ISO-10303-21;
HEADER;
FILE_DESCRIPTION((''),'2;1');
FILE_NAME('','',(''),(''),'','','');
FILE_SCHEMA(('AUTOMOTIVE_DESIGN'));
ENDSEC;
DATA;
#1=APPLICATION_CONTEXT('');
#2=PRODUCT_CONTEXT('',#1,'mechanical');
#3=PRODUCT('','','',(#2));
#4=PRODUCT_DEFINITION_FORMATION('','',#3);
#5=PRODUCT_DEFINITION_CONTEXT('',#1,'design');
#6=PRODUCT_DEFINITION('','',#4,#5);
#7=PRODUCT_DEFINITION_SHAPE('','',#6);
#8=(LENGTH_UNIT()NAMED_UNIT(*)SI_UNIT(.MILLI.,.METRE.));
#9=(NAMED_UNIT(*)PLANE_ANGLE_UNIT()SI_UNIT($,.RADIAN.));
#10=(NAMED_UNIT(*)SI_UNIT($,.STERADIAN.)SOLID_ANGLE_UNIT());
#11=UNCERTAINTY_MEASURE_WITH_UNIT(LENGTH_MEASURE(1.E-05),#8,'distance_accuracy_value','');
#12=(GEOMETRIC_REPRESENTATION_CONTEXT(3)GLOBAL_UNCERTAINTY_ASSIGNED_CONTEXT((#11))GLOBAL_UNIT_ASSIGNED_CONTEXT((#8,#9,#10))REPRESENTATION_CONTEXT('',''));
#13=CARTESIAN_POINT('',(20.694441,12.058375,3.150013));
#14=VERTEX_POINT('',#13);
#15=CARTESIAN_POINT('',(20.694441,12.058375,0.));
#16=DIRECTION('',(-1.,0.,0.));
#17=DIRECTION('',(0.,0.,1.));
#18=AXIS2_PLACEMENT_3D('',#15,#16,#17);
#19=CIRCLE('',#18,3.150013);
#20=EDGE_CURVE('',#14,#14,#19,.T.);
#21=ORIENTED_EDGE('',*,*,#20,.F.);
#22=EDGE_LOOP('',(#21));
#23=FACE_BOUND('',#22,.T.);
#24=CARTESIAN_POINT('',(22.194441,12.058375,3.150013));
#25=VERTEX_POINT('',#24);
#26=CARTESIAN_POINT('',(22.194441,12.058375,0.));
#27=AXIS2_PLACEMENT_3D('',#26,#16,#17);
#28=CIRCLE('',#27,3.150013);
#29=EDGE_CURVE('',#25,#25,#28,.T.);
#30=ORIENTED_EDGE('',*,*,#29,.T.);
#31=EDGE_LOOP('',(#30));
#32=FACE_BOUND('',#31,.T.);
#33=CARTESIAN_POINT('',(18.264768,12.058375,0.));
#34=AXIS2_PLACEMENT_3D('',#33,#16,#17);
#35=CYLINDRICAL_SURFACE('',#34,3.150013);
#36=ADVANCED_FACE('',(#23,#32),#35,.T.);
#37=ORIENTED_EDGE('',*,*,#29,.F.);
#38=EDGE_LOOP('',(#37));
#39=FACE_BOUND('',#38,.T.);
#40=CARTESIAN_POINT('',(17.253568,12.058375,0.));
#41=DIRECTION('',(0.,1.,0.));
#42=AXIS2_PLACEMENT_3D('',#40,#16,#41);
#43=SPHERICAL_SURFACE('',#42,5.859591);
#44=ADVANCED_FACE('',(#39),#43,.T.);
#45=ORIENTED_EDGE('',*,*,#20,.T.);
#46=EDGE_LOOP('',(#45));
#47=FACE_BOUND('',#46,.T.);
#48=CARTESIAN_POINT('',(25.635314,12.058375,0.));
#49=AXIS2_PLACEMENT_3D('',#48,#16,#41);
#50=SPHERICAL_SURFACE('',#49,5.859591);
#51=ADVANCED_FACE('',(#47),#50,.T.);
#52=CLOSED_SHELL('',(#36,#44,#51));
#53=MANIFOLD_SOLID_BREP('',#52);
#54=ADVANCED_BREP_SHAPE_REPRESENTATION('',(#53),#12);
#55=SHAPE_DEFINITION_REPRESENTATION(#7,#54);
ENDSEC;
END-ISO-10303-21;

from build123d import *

# Parameters (mm, degrees)
SKETCH_2_ONE_SIDE_W = 1.5
SKETCH_2_ONE_SIDE_H = 3.1500126


with BuildPart() as part:
    # 草图2 one side → 旋转1 (revolve)
    with BuildSketch(Plane.XY):
        with Locations((21.444440927, 13.633381779)):
            Rectangle(SKETCH_2_ONE_SIDE_W, SKETCH_2_ONE_SIDE_H)
        with BuildLine():
            Line((19.775723052, 12.058375479), (20.694440927, 12.058375479))
            Line((20.694440927, 12.058375479), (20.694440927, 15.208388079))
            ThreePointArc((20.694440927, 15.208388079), (20.010089506, 13.69900203), (19.775723052, 12.058375479))
        make_face()
        with BuildLine():
            Line((22.194440927, 12.058375479), (23.113158802, 12.058375479))
            ThreePointArc((23.113158802, 12.058375479), (22.878792347, 13.69900203), (22.194440927, 15.208388079))
            Line((22.194440927, 15.208388079), (22.194440927, 12.058375479))
        make_face()
    revolve(axis=Axis((18.264768098, 12.058375479, 0), (1, 0, 0)))


solid = part.part
